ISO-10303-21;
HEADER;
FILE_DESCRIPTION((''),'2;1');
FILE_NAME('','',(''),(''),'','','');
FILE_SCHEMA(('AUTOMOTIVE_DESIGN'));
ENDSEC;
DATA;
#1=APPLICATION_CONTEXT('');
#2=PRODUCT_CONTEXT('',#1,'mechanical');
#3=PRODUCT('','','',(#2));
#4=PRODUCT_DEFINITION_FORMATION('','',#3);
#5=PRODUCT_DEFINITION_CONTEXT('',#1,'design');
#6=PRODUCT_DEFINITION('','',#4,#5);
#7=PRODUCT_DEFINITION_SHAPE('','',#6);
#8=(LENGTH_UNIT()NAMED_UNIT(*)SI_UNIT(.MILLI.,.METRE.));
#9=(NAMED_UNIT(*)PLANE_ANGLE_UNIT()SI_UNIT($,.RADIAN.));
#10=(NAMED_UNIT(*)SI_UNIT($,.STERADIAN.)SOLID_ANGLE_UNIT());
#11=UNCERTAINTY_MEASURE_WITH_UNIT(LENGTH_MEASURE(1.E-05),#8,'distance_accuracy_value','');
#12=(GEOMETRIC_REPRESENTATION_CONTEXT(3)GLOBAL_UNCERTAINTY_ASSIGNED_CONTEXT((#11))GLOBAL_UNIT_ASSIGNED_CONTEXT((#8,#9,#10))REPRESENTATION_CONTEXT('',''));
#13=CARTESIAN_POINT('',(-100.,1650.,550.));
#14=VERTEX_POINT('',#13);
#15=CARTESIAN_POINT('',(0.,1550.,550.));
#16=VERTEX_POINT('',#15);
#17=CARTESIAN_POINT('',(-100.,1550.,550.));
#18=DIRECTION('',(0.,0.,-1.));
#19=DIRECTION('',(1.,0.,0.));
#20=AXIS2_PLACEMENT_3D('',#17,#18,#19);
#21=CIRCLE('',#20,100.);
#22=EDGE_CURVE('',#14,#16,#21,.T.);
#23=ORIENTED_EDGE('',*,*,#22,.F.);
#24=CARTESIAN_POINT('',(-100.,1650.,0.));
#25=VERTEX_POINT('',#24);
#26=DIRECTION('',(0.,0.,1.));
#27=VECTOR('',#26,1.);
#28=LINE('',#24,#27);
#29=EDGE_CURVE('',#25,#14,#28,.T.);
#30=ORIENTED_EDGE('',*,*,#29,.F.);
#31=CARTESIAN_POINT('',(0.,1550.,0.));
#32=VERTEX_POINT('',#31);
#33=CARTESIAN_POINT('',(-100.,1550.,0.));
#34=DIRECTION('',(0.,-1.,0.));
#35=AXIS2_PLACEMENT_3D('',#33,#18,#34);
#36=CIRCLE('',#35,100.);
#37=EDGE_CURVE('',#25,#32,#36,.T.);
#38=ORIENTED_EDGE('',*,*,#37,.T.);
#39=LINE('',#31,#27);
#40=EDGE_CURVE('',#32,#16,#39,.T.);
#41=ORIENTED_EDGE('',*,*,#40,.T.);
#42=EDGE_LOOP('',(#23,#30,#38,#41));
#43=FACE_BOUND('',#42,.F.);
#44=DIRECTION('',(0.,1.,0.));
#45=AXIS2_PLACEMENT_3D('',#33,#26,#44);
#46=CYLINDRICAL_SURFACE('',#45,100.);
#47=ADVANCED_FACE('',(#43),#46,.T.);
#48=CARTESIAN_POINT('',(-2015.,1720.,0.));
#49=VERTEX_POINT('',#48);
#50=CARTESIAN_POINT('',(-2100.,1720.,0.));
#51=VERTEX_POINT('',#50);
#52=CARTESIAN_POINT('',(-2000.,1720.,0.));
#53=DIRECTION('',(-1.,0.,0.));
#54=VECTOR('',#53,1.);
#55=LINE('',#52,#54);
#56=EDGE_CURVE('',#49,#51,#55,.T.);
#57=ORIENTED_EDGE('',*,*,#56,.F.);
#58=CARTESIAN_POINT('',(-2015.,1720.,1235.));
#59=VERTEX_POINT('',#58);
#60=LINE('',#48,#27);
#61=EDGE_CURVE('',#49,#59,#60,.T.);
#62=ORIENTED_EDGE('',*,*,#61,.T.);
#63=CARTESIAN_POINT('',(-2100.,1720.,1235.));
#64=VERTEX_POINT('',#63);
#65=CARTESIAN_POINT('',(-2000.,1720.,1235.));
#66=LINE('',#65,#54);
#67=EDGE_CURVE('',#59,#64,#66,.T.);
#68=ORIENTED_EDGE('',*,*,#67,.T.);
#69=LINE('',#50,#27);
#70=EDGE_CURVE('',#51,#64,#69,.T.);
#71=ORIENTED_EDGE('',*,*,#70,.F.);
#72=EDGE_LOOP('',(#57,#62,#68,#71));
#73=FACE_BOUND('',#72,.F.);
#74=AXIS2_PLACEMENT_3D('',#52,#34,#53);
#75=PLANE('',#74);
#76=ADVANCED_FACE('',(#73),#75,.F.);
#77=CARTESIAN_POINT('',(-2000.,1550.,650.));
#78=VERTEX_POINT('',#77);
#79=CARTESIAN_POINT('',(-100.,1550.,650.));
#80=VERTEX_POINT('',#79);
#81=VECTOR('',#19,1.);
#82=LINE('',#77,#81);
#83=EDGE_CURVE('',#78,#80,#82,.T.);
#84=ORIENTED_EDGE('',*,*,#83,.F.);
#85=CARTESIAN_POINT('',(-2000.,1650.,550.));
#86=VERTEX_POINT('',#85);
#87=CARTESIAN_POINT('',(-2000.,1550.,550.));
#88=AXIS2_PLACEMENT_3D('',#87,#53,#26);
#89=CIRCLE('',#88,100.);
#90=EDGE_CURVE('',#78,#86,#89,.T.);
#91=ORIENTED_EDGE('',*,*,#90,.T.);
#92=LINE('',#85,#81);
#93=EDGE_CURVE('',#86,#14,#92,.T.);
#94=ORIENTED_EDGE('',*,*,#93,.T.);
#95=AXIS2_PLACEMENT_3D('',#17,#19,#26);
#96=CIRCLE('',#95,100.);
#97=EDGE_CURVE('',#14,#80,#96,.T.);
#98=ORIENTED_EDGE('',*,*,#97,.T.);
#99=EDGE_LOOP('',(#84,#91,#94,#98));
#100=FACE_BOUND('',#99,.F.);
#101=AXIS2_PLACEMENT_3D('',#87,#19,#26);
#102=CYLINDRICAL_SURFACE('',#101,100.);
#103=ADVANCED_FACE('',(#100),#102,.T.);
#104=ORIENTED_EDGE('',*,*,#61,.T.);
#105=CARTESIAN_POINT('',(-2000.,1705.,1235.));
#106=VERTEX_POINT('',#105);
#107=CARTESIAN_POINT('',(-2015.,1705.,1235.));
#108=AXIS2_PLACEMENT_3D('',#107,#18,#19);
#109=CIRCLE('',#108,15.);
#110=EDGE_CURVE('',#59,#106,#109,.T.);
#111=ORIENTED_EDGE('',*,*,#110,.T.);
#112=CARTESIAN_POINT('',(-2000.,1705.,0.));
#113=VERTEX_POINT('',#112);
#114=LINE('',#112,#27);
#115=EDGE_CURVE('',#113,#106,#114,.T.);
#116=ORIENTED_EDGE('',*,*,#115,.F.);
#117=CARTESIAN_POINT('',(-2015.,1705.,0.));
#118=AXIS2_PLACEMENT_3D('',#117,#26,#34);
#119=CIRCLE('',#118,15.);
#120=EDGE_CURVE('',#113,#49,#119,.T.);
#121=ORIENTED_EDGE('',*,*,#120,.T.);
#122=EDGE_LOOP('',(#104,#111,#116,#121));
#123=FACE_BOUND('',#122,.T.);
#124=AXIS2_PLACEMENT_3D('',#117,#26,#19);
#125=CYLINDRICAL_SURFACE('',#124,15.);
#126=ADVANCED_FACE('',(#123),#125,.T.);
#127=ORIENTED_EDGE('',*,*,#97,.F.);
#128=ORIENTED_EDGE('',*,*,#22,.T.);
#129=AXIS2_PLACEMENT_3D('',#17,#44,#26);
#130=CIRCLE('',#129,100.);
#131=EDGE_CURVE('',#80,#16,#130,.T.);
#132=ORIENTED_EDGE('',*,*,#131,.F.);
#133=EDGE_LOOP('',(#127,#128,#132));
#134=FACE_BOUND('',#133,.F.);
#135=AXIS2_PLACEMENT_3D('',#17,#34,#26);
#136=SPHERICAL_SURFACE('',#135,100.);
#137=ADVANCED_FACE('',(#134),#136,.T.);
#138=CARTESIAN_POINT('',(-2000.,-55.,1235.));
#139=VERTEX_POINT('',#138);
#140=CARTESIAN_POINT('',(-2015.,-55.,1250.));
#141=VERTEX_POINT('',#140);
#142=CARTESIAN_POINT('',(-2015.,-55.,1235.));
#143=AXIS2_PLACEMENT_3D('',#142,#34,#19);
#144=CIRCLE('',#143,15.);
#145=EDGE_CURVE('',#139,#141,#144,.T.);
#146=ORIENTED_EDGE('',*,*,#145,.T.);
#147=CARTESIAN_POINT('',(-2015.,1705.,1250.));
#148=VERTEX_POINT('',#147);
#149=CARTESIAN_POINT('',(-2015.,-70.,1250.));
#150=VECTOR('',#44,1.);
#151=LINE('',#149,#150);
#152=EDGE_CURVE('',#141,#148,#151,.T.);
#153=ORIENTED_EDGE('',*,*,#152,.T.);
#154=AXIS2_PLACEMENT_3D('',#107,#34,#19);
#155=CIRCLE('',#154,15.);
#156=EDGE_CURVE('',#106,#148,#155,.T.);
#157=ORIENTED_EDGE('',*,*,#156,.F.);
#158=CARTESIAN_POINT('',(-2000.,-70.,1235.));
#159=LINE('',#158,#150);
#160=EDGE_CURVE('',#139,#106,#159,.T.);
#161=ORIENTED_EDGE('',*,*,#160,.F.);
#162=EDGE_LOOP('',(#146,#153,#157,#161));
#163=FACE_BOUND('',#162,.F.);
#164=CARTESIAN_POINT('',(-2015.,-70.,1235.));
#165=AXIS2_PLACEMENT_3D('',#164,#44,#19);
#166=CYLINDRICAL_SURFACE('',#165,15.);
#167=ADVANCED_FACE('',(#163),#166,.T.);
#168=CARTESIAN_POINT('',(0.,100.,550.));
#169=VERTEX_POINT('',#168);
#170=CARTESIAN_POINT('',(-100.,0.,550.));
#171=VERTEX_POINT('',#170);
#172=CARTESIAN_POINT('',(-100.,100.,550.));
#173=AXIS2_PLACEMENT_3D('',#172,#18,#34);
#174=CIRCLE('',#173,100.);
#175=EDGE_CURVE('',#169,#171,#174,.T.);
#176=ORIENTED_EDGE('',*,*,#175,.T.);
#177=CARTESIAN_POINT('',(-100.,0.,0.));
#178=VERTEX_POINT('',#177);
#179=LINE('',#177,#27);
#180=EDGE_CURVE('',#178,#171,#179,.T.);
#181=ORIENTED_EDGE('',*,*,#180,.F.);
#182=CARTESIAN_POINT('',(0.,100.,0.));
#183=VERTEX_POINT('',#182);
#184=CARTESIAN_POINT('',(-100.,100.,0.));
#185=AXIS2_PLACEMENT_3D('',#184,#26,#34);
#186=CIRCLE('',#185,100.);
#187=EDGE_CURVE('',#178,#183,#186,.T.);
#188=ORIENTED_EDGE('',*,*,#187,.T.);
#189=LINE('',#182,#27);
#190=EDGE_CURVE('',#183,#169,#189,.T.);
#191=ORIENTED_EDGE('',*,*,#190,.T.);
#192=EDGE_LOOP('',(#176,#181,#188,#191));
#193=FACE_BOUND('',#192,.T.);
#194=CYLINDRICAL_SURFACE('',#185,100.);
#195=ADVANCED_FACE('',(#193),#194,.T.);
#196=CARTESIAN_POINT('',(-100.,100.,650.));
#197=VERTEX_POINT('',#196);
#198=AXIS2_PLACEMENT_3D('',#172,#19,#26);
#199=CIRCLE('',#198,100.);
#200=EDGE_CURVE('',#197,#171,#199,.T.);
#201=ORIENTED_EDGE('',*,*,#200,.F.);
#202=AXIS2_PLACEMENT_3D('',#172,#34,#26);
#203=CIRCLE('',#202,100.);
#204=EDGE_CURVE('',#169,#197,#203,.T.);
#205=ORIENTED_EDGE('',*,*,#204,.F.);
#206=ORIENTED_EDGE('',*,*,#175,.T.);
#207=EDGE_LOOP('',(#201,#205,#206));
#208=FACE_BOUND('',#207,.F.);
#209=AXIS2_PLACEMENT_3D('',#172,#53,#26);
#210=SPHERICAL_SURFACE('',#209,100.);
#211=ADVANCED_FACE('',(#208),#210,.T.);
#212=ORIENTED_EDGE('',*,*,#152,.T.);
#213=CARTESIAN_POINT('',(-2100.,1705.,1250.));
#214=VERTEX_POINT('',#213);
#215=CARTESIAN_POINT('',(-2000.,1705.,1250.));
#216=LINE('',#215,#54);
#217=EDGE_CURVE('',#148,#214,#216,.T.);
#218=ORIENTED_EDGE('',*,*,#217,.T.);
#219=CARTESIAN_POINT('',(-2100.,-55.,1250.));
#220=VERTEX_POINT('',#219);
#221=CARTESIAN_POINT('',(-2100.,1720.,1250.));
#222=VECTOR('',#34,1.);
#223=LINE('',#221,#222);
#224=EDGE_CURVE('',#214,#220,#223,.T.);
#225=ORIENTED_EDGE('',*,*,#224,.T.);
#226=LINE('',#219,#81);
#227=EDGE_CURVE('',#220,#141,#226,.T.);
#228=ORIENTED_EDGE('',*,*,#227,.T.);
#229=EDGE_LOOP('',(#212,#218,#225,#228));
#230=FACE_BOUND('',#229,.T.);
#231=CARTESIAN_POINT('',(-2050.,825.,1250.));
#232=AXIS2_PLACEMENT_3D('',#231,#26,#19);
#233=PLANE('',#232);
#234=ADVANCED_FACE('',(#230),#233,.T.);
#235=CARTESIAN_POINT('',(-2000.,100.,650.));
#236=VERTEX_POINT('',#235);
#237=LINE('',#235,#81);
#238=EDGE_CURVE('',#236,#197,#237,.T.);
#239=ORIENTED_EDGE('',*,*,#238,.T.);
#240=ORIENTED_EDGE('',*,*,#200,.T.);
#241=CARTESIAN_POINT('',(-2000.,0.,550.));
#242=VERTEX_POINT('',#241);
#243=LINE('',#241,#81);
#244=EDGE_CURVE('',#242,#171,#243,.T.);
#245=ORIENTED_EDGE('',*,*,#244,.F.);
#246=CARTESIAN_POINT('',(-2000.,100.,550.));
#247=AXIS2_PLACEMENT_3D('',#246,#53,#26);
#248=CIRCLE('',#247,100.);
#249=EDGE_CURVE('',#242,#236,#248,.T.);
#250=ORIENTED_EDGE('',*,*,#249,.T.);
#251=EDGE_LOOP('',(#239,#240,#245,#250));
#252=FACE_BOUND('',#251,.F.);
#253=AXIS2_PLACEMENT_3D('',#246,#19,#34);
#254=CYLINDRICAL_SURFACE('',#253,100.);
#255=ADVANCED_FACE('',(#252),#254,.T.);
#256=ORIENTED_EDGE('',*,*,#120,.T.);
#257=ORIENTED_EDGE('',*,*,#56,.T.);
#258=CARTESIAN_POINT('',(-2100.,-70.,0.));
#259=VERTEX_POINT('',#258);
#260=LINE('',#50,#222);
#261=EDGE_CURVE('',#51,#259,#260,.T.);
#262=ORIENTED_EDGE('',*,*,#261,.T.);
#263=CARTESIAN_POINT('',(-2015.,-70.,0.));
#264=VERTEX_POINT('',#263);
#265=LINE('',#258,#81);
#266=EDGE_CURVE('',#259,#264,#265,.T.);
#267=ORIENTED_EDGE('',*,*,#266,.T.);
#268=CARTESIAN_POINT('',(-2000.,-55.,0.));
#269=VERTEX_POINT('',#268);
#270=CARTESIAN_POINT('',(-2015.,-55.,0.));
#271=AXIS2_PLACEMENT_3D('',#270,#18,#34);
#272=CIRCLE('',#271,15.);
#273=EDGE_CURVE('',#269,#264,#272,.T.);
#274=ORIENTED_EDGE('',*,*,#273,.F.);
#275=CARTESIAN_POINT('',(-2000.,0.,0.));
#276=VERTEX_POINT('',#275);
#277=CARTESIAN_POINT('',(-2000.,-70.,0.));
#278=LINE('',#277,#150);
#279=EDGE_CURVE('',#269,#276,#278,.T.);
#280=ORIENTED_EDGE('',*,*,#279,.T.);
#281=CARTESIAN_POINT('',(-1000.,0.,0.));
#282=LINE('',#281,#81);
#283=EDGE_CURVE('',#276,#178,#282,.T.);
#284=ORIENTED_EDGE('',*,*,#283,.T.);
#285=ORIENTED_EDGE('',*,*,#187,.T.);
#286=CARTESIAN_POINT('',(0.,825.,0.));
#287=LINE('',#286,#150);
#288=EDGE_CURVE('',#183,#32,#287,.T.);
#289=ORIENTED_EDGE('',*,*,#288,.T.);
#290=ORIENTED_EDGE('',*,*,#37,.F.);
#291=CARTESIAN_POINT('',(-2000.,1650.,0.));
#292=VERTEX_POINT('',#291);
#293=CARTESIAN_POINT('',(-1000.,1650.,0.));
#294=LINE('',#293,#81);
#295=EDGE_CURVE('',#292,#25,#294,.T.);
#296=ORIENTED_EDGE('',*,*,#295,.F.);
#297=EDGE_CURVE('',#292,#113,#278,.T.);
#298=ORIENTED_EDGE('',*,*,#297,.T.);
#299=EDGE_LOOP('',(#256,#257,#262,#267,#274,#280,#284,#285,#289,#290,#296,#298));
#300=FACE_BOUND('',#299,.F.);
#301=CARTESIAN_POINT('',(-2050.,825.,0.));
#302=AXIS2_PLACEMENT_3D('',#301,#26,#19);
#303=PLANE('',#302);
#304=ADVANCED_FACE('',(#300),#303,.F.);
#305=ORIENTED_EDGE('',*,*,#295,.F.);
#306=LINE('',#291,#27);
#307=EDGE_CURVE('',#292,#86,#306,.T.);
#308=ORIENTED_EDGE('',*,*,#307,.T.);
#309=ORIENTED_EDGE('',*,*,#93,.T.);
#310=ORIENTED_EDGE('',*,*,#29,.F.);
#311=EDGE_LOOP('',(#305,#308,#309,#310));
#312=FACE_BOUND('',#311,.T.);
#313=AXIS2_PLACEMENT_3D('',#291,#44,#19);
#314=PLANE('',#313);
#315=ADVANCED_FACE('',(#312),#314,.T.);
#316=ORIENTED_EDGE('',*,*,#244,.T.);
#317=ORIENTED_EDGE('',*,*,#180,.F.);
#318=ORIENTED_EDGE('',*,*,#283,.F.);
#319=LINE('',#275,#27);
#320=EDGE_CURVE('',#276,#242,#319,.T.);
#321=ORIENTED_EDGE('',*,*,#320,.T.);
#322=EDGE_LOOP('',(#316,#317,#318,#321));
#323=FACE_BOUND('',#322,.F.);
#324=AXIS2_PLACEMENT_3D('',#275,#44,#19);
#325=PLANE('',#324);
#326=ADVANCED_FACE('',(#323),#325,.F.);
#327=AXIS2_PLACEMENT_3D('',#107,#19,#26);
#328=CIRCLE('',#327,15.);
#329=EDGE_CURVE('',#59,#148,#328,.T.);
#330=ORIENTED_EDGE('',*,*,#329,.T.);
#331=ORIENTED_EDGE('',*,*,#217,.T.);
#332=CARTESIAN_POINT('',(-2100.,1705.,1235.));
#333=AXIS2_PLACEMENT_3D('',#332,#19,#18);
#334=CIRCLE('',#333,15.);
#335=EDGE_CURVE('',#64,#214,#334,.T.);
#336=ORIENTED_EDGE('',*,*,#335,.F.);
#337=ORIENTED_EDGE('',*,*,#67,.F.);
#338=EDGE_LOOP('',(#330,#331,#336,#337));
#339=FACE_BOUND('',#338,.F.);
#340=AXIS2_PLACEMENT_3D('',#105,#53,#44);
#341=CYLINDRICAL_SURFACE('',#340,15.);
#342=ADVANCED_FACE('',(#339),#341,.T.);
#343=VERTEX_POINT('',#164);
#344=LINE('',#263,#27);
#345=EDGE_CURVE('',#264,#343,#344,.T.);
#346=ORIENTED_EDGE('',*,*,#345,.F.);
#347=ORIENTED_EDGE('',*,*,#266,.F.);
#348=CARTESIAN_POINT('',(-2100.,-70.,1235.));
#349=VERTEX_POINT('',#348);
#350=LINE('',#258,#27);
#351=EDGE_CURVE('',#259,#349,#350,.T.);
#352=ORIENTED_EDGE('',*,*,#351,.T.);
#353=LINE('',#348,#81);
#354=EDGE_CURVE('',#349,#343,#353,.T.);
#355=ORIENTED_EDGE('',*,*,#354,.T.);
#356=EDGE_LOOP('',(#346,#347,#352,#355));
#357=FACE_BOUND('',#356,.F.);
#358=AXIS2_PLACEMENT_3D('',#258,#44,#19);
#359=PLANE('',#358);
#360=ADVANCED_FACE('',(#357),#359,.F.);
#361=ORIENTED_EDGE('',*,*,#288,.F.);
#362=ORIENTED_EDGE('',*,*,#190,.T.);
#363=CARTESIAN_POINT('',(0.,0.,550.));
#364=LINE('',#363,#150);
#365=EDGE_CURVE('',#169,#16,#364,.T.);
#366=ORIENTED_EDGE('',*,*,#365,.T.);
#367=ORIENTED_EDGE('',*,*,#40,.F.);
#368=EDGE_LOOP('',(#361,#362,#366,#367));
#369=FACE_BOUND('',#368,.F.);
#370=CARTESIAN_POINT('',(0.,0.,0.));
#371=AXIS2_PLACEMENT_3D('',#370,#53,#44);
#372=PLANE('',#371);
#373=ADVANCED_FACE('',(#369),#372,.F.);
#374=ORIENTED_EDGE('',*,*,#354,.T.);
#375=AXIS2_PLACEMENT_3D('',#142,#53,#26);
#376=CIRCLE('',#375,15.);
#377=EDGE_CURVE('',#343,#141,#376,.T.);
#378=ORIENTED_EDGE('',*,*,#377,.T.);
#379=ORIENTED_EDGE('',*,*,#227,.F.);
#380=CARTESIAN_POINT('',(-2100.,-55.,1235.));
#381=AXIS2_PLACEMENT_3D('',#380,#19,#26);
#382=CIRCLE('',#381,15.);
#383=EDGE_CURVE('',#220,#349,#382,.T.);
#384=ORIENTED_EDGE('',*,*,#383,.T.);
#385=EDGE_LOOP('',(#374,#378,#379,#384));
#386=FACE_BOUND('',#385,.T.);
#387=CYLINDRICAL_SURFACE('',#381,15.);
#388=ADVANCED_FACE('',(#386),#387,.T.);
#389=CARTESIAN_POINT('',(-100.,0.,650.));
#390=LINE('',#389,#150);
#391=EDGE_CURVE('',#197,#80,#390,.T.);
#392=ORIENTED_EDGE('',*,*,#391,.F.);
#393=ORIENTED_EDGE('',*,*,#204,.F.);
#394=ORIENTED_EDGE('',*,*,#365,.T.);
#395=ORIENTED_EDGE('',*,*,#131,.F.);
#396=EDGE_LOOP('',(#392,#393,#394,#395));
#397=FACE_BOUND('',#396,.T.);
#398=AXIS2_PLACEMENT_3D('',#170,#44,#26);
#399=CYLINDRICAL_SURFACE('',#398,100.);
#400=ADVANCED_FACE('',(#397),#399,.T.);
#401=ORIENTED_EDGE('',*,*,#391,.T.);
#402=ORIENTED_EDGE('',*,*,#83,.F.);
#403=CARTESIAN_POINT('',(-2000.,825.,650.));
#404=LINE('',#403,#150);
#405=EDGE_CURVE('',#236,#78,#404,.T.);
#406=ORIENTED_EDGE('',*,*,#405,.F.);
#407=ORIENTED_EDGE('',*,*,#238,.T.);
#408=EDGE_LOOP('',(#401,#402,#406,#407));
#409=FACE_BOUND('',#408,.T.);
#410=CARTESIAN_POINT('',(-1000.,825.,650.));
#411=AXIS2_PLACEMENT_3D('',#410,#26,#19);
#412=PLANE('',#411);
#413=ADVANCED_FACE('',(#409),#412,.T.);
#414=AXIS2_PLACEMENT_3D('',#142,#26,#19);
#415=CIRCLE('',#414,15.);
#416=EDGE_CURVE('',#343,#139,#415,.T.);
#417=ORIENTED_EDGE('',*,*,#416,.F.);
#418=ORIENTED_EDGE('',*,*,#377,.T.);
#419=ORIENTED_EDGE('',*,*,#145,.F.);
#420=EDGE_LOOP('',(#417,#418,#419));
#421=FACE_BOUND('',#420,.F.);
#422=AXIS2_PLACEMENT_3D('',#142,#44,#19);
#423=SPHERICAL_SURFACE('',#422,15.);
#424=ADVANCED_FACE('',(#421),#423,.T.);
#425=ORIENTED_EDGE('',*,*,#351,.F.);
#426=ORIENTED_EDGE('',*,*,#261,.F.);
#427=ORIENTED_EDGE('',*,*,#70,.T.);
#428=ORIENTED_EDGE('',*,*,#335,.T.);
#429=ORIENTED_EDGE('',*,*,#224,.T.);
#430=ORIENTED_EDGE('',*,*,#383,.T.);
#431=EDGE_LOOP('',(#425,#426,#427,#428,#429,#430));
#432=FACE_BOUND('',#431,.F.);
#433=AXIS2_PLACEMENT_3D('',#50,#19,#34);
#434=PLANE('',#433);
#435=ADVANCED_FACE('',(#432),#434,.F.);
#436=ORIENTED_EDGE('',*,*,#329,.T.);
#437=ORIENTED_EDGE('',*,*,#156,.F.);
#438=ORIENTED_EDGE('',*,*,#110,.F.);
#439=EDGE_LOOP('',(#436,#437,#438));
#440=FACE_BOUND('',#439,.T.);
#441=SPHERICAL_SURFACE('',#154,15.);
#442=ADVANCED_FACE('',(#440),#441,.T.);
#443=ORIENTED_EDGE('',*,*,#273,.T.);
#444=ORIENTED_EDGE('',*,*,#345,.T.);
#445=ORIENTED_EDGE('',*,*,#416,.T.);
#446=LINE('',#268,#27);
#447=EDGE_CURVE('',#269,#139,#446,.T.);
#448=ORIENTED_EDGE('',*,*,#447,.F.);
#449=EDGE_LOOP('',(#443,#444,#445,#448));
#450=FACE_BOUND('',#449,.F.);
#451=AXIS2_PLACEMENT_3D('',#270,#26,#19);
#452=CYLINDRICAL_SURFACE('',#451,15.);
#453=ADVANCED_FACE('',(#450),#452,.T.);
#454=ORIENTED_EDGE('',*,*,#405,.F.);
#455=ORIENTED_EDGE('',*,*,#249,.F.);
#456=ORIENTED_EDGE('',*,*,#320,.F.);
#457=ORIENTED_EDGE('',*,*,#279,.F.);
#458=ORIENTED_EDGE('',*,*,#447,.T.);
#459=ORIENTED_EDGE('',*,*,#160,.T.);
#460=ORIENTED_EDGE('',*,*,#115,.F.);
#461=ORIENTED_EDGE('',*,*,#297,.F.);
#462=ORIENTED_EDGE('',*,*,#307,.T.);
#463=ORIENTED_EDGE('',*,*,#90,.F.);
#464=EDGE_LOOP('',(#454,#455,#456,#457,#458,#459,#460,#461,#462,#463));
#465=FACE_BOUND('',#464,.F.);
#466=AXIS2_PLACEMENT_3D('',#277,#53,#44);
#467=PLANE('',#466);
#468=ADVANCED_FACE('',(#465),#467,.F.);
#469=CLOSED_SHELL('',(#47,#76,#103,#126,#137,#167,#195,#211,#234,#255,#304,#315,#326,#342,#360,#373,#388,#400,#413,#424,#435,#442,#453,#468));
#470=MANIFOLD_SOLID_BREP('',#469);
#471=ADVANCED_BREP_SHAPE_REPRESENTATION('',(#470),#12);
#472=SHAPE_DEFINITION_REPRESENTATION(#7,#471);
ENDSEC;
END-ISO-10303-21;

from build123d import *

# Parameters (mm, degrees)
F0_W     = 2000
F0_H     = 1650
F1_DEPTH = 650
F2_DEPTH = 1250
F3_R     = 15
F4_R     = 100


with BuildPart() as f1:
    # F0 (on Top) → F1 (new body)
    with BuildSketch(Plane.XY):
        with Locations((-1000, 825)):
            Rectangle(F0_W, F0_H)
    extrude(amount=F1_DEPTH)

    # F0 (on Top) → F2 (join)
    with BuildSketch(Plane.XY):
        Polygon((-2000, -70), (-2000, 0), (-2000, 1650), (-2000, 1720), (-2100, 1720), (-2100, -70), align=None)
    extrude(amount=F2_DEPTH)

    # F3
    f3_edges = [f1.edges().sort_by_distance(p)[0] for p in [
        (-2000, 825, 1250),
        (-2000, 1720, 625),
        (-2000, -70, 625),
        (-2050, -70, 1250),
        (-2050, 1720, 1250),
    ]]
    fillet(f3_edges, radius=F3_R)

    # F4
    f4_edges = [f1.edges().sort_by_distance(p)[0] for p in [
        (-1000, 0, 650),
        (0, 825, 650),
        (-1000, 1650, 650),
        (0, 0, 325),
        (0, 1650, 325),
    ]]
    fillet(f4_edges, radius=F4_R)


solid = f1.part
